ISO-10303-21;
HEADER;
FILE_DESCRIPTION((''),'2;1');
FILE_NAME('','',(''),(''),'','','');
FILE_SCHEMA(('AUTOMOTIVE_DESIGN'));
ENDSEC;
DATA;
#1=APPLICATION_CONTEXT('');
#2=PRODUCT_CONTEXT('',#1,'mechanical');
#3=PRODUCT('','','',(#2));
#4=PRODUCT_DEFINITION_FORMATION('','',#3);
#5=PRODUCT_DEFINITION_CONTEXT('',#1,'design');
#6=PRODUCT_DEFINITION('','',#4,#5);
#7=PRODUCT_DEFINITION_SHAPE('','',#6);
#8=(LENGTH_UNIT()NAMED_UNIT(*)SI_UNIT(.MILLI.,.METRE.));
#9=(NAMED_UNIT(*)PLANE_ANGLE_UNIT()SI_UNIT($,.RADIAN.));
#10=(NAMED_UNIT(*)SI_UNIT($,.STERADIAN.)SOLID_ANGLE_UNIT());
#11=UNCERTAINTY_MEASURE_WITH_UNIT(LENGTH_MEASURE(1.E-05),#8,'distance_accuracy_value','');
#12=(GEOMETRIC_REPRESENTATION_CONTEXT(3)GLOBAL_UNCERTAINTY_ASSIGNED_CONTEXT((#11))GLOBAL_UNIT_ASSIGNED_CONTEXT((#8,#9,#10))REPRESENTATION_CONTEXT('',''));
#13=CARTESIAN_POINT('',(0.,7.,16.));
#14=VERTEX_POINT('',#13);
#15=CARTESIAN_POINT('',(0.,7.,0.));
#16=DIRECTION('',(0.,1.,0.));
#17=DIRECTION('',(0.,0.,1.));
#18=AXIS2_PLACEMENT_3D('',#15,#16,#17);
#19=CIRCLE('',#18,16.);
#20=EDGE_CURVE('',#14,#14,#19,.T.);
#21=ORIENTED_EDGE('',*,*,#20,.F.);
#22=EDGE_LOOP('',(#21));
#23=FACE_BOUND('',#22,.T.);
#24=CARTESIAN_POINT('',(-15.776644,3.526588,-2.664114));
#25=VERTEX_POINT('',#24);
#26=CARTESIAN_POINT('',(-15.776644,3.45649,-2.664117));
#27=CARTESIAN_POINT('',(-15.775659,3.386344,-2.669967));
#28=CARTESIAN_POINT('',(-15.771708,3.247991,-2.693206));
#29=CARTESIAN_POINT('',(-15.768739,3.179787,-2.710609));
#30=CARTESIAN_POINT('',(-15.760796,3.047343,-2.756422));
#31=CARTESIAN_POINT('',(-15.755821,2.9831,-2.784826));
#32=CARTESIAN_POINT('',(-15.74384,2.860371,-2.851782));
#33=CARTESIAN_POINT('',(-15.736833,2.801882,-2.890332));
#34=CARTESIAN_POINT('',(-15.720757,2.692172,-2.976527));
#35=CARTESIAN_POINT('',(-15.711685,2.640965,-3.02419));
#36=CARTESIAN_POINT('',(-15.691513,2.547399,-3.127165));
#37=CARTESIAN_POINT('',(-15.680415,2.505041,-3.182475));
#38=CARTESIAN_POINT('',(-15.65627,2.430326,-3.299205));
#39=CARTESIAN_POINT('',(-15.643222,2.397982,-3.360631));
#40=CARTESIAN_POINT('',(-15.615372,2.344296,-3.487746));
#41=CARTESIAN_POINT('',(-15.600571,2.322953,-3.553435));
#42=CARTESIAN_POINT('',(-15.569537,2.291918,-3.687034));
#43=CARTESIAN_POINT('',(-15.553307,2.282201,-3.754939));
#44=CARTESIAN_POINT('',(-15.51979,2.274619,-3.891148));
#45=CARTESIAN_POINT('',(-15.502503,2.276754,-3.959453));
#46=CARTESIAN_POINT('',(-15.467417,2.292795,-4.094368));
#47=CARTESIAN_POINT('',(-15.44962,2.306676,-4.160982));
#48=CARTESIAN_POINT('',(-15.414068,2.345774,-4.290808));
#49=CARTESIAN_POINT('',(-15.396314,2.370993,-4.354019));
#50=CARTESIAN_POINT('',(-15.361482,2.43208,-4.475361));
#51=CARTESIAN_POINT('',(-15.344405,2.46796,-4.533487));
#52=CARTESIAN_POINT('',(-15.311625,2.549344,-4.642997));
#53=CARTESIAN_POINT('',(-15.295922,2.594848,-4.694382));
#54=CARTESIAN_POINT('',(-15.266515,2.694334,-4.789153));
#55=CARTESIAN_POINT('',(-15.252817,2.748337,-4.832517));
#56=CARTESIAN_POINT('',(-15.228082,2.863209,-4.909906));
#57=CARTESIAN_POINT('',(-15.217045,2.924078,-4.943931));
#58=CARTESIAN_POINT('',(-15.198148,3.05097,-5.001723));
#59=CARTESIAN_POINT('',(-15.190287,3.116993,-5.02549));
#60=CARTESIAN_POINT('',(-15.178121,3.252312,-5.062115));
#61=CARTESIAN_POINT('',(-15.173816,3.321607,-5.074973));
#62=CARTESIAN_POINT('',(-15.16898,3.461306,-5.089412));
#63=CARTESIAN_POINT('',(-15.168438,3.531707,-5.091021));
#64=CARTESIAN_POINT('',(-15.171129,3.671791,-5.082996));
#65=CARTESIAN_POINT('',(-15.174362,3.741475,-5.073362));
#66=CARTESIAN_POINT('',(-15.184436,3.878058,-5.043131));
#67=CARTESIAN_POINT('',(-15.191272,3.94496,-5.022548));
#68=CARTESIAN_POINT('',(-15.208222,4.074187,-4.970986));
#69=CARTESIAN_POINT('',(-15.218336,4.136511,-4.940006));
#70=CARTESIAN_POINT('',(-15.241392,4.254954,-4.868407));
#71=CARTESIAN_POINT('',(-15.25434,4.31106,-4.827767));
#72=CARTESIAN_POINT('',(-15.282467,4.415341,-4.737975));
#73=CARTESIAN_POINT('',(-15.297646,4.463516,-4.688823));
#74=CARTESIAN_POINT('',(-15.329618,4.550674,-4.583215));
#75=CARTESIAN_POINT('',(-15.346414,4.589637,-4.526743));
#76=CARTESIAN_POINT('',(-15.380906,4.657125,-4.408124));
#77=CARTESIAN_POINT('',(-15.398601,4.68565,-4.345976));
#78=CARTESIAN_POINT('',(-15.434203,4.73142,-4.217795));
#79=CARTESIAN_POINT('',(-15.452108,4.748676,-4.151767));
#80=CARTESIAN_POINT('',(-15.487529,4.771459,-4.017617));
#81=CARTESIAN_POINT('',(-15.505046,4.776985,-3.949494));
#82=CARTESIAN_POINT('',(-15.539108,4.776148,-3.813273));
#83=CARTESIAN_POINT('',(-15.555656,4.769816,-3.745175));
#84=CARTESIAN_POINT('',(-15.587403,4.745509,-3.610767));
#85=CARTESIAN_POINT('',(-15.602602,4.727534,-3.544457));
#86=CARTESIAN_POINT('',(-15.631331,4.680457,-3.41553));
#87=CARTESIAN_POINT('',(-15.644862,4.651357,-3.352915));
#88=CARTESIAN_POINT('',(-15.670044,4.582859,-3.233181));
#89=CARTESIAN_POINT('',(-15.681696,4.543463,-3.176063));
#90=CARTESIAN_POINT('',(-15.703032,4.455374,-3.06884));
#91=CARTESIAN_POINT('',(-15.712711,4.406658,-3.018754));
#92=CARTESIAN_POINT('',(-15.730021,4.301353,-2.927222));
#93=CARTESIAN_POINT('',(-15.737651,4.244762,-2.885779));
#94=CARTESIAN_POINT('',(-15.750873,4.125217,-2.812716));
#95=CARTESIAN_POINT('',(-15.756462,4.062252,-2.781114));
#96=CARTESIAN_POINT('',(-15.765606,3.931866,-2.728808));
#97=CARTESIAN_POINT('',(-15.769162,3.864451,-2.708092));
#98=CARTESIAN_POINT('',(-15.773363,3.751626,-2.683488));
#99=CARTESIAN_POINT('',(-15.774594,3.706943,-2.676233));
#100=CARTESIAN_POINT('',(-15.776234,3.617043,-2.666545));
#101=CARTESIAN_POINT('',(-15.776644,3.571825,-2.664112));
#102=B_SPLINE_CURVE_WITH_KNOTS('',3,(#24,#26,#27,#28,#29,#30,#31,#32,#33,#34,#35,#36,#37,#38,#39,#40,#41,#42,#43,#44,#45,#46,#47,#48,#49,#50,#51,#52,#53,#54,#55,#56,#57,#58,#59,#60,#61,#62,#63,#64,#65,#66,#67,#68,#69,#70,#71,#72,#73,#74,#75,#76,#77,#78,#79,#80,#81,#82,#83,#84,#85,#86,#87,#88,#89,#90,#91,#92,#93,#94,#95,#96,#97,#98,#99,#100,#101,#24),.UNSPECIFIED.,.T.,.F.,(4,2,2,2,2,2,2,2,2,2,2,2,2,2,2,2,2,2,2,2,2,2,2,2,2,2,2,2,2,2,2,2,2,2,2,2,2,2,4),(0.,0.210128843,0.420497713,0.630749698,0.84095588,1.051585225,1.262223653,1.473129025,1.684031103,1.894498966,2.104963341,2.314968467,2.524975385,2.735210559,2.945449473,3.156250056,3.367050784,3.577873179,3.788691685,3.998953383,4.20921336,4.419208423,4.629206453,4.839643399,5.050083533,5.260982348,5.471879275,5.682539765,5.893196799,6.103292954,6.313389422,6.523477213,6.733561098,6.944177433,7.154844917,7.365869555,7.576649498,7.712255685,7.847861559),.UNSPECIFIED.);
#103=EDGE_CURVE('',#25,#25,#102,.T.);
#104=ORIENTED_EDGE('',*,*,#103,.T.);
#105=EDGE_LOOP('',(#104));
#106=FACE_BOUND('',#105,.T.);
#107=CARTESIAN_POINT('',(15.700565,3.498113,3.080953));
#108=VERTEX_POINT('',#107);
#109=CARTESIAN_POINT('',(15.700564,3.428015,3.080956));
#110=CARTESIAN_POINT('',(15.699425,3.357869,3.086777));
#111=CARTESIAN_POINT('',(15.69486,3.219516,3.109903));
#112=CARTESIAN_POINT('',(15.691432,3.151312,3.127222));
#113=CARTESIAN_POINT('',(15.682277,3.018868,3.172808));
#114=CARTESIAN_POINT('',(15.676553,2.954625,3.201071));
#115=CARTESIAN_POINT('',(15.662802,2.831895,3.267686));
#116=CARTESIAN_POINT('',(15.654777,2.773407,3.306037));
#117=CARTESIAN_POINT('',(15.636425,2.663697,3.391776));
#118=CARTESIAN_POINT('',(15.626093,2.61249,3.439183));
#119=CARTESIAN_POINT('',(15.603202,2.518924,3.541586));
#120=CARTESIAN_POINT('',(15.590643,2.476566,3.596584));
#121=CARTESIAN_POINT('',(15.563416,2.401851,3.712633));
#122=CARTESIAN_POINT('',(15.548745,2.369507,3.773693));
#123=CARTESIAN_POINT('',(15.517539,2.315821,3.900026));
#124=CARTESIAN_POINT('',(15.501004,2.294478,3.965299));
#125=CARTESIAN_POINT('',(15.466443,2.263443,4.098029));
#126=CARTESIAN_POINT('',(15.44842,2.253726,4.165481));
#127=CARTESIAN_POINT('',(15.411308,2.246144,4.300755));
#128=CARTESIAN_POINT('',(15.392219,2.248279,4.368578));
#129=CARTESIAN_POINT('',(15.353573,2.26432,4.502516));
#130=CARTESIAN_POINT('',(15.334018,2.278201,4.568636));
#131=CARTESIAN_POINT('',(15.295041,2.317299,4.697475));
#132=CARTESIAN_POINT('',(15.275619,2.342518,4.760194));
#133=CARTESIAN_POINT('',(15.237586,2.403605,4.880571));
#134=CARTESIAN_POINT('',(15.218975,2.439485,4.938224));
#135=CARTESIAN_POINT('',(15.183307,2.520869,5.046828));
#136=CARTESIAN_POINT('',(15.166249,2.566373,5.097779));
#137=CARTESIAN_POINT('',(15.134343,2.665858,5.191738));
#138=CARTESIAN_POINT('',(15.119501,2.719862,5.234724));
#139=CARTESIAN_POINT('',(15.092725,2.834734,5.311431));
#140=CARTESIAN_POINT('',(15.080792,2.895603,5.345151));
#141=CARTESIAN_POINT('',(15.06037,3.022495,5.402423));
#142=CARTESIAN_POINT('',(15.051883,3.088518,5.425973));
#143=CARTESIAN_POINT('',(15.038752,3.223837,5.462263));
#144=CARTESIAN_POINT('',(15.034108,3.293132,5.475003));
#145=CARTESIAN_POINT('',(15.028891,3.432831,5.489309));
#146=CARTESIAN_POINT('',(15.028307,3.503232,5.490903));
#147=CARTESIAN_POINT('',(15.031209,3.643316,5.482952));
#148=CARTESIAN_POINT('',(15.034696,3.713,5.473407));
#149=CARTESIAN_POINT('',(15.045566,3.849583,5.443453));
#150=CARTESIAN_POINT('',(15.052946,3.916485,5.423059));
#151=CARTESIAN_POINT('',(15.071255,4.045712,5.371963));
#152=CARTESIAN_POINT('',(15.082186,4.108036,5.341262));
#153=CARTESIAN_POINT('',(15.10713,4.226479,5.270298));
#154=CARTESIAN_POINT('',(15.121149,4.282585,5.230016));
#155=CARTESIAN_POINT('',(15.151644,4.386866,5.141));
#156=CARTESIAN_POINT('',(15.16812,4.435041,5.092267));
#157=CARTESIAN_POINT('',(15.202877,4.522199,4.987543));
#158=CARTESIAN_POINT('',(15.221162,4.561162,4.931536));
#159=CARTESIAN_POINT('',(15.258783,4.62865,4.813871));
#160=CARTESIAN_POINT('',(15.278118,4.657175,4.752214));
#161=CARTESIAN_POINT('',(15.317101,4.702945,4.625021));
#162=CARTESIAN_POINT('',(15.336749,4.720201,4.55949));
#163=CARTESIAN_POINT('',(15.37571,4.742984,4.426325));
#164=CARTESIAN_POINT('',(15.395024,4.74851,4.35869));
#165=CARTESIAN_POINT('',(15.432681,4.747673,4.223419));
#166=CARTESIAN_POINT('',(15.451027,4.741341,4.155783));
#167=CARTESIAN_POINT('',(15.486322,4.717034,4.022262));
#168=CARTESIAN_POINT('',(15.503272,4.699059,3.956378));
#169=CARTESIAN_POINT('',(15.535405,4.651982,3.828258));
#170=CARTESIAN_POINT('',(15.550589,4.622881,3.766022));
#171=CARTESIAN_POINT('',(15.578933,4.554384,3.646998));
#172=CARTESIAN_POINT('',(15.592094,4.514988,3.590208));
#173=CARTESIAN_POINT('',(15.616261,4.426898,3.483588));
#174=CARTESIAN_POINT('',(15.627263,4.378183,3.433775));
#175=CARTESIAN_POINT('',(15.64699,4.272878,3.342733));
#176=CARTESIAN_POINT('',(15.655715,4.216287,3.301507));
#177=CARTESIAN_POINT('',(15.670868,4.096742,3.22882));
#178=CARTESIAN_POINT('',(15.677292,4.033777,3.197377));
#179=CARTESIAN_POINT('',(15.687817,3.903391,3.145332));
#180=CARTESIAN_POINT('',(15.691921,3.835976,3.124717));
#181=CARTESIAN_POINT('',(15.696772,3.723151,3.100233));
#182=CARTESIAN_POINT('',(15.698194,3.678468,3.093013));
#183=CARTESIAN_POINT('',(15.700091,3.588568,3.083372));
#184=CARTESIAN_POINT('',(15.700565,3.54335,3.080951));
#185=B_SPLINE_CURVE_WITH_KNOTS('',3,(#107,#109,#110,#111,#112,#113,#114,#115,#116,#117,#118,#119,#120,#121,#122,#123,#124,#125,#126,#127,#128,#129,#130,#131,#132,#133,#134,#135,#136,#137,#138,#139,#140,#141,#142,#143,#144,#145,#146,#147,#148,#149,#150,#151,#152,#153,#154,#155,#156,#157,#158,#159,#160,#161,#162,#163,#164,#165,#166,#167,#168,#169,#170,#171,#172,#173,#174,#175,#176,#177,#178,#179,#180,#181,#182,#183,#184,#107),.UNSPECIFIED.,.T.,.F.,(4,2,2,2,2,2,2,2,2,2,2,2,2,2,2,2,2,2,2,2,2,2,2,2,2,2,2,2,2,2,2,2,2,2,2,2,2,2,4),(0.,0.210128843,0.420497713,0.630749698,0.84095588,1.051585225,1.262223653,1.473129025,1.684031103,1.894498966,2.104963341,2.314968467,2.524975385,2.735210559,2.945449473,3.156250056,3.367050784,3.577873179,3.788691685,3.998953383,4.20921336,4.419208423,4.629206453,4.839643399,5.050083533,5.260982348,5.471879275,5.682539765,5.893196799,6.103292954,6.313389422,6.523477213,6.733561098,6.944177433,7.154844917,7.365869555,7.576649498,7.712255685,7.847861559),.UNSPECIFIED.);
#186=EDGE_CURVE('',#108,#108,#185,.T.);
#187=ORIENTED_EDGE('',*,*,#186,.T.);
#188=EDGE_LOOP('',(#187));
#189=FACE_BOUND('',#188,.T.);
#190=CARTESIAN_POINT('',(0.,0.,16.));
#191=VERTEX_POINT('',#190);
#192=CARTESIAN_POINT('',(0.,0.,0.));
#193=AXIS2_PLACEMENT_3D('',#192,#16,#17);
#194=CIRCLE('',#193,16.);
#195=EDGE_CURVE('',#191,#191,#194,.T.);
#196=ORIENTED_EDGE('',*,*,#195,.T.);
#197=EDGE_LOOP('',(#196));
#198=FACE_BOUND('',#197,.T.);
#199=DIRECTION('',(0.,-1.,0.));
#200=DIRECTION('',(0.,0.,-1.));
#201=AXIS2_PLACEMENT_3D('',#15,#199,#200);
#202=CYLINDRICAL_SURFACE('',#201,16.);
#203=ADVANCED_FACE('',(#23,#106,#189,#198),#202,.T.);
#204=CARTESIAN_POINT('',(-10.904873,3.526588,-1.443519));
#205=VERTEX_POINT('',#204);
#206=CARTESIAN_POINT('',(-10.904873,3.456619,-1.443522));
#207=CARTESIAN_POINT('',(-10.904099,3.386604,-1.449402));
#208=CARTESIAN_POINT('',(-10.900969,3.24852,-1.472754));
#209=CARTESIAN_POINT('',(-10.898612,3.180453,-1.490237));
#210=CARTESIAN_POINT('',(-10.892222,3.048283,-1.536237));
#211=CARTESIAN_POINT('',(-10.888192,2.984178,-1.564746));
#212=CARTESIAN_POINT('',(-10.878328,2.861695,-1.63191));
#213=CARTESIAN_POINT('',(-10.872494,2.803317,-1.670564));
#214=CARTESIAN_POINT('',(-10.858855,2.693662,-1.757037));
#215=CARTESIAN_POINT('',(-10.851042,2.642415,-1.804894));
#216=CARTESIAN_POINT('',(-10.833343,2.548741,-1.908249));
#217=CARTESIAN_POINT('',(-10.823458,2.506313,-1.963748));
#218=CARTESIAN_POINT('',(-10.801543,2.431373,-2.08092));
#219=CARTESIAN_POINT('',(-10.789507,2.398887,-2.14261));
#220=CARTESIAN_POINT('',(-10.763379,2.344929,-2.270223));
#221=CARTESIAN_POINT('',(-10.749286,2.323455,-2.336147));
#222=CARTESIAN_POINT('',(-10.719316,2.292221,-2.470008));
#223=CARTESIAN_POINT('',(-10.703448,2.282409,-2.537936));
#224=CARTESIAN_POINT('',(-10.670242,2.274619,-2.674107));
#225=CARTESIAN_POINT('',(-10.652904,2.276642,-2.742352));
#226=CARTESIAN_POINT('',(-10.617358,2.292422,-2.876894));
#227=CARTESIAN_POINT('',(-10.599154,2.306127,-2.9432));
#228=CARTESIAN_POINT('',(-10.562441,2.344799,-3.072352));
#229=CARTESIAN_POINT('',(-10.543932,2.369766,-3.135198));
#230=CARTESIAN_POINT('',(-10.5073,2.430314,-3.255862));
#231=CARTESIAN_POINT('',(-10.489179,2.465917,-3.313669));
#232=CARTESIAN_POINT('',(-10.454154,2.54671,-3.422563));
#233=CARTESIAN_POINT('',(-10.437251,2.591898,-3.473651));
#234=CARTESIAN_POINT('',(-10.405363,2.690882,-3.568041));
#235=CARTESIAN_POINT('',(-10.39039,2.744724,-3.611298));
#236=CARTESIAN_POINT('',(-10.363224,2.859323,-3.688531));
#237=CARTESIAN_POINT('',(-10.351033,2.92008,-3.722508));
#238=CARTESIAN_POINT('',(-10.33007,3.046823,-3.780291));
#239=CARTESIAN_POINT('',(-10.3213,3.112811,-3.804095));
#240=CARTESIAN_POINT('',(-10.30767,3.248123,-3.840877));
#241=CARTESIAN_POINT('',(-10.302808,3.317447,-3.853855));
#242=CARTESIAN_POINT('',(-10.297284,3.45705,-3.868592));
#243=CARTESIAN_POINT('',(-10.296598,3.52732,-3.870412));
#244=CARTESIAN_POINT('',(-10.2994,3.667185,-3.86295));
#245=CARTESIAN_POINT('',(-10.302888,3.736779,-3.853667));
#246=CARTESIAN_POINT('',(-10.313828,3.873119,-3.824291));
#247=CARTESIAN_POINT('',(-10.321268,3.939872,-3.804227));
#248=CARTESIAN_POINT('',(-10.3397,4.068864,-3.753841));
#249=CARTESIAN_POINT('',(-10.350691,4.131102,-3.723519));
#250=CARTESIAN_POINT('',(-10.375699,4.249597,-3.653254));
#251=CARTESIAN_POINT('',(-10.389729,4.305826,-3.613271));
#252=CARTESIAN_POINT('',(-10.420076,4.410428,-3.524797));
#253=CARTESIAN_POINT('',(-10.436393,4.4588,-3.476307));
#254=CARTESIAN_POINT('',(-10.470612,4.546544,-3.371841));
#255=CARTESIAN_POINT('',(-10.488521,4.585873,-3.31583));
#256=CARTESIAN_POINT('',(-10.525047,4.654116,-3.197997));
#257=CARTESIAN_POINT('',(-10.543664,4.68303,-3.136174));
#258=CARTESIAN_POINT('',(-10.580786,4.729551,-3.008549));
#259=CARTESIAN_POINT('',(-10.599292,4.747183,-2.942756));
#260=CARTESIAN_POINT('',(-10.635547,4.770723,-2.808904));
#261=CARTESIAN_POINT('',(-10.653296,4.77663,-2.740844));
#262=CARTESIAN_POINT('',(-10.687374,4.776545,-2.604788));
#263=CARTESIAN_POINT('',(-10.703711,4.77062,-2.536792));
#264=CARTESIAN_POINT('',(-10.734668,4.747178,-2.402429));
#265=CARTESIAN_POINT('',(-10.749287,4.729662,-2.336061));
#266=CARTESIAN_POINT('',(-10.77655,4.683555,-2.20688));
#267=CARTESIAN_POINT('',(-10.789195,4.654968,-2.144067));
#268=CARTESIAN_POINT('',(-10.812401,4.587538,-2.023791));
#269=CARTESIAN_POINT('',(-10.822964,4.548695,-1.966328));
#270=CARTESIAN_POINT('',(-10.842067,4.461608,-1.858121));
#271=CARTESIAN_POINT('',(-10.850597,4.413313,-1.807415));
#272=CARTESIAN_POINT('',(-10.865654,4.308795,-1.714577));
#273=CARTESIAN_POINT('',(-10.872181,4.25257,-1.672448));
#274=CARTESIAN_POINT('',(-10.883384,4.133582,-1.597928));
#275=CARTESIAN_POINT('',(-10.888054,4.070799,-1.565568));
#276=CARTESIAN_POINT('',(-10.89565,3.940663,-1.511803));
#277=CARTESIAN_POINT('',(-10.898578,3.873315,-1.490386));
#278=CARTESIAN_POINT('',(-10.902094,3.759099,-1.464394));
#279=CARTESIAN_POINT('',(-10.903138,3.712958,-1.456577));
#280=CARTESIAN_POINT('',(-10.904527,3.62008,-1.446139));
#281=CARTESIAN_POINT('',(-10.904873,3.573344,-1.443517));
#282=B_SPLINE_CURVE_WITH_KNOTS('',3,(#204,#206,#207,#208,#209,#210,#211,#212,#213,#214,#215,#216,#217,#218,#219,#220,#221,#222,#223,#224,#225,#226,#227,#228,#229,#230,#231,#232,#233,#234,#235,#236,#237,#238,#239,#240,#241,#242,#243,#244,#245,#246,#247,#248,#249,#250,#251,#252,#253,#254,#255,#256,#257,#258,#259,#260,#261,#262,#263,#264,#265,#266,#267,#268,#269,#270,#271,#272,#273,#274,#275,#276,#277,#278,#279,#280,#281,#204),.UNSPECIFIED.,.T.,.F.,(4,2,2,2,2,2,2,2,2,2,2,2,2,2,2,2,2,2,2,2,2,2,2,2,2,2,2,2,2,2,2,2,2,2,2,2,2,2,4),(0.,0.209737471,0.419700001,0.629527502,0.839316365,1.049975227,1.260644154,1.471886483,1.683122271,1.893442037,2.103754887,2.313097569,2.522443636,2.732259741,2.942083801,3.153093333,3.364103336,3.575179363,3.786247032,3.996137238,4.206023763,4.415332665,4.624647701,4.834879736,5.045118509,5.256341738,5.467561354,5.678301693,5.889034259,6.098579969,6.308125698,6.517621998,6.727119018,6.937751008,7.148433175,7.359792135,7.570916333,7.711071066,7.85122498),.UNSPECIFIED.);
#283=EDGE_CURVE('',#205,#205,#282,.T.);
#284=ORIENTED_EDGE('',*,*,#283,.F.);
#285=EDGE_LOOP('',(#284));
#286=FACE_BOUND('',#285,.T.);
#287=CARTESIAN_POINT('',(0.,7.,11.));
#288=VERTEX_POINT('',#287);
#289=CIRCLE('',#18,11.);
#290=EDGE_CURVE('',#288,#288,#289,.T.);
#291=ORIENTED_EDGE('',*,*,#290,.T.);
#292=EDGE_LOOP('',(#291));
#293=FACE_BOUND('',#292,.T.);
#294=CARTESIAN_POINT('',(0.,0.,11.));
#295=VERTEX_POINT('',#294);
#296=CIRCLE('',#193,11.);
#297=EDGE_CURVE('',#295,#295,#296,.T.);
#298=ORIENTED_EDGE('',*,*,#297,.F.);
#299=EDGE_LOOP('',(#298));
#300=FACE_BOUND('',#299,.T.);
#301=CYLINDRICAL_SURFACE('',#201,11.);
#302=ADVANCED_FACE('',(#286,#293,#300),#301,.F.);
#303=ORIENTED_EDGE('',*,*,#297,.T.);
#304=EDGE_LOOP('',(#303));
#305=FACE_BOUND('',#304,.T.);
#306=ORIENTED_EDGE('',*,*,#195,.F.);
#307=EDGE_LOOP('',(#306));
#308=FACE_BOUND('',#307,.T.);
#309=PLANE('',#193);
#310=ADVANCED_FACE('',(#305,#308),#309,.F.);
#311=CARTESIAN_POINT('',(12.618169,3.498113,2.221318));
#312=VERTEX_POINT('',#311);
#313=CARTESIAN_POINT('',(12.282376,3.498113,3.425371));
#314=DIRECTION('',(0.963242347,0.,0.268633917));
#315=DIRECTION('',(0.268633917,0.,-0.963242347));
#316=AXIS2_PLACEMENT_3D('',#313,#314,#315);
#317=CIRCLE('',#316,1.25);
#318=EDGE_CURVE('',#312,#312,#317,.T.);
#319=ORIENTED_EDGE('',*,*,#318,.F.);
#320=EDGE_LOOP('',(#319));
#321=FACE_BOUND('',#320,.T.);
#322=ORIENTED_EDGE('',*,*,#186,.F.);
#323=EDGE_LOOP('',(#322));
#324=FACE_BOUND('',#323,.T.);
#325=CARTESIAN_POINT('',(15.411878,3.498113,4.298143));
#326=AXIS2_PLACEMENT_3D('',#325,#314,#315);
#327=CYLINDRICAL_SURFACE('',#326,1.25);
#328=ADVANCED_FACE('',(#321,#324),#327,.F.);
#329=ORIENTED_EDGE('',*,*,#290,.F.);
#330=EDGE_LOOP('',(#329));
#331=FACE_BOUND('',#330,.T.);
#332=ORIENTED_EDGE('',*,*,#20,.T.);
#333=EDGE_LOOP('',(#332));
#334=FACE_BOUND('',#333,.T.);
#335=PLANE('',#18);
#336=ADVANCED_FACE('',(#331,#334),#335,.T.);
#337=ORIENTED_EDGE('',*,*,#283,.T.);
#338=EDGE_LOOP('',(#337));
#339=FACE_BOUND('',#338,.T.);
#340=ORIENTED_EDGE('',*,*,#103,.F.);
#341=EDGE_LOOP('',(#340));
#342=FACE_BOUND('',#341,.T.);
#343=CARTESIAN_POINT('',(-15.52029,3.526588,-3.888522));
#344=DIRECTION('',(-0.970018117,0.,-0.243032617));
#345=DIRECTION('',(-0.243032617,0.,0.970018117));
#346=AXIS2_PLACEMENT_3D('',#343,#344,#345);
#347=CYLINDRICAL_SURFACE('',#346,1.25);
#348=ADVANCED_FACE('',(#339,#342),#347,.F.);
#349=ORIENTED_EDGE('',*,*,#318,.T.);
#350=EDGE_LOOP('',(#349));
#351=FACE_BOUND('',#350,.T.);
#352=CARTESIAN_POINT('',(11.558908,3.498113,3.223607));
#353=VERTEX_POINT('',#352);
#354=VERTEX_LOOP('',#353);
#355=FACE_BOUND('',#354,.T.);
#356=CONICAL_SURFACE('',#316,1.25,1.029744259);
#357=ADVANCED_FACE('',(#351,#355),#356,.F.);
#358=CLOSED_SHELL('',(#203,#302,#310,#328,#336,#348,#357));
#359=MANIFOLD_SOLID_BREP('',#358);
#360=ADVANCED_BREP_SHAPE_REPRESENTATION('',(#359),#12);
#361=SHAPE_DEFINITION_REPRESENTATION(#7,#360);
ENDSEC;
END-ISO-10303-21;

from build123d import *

# Parameters (mm, degrees)
SKETCH2_R                  = 16
SKETCH2_R_2                = 11
BOSS_EXTRUDE1_DEPTH        = 7
M3X0_5_TAPPED_HOLE1_REACH  = 39.437
M3X0_5_TAPPED_HOLE1_BORE_R = 1.25
M3X0_5_TAPPED_HOLE2_D      = 2.5
M3X0_5_TAPPED_HOLE2_DEPTH  = 3.248924226
M3X0_5_TAPPED_HOLE2_TIP    = 0.751075774


with BuildPart() as part:
    # Sketch2 → Boss-Extrude1 (new body)
    with BuildSketch(Plane(origin=(0, 0, 0), x_dir=(1, 0, 0), z_dir=(0, 1, 0))):
        with Locations(Location((0, 0, 0), (0, 0, 270))):
            Circle(SKETCH2_R)
        with Locations(Location((0, 0, 0), (0, 0, 270))):
            Circle(SKETCH2_R_2, mode=Mode.SUBTRACT)
    extrude(amount=BOSS_EXTRUDE1_DEPTH)

    # M3x0.5 Tapped Hole1 bore (on position points) → M3x0.5 Tapped Hole1 (cut, up to next)
    with BuildSketch(Plane(origin=(-15.520289871, 3.526588003, -3.888521866), x_dir=(0.243032616649, 0, -0.970018116967), z_dir=(-0.970018116967, 0, -0.243032616649)), mode=Mode.PRIVATE) as m3x0_5_tapped_hole1_sk1:
        Circle(M3X0_5_TAPPED_HOLE1_BORE_R)
    m3x0_5_tapped_hole1_tool1 = extrude(m3x0_5_tapped_hole1_sk1.sketch, amount=-M3X0_5_TAPPED_HOLE1_REACH, mode=Mode.PRIVATE) & part.part
    add(m3x0_5_tapped_hole1_tool1.solids().sort_by_distance((-15.52029, 3.526588, -3.888522))[0], mode=Mode.SUBTRACT)

    # M3x0.5 Tapped Hole2
    with Locations(Plane(origin=(15.411877549, 3.498112916, 4.298142669), x_dir=(-0.268633916838, 0, 0.963242346829), z_dir=(0.963242346829, 0, 0.268633916838))):
        with Locations((0, 0)):
            Hole(M3X0_5_TAPPED_HOLE2_D / 2, depth=M3X0_5_TAPPED_HOLE2_DEPTH)
            with Locations((0, 0, -(M3X0_5_TAPPED_HOLE2_DEPTH + M3X0_5_TAPPED_HOLE2_TIP / 2))):  # 118° drill point
                Cone(0, M3X0_5_TAPPED_HOLE2_D / 2, M3X0_5_TAPPED_HOLE2_TIP, mode=Mode.SUBTRACT)


solid = part.part
